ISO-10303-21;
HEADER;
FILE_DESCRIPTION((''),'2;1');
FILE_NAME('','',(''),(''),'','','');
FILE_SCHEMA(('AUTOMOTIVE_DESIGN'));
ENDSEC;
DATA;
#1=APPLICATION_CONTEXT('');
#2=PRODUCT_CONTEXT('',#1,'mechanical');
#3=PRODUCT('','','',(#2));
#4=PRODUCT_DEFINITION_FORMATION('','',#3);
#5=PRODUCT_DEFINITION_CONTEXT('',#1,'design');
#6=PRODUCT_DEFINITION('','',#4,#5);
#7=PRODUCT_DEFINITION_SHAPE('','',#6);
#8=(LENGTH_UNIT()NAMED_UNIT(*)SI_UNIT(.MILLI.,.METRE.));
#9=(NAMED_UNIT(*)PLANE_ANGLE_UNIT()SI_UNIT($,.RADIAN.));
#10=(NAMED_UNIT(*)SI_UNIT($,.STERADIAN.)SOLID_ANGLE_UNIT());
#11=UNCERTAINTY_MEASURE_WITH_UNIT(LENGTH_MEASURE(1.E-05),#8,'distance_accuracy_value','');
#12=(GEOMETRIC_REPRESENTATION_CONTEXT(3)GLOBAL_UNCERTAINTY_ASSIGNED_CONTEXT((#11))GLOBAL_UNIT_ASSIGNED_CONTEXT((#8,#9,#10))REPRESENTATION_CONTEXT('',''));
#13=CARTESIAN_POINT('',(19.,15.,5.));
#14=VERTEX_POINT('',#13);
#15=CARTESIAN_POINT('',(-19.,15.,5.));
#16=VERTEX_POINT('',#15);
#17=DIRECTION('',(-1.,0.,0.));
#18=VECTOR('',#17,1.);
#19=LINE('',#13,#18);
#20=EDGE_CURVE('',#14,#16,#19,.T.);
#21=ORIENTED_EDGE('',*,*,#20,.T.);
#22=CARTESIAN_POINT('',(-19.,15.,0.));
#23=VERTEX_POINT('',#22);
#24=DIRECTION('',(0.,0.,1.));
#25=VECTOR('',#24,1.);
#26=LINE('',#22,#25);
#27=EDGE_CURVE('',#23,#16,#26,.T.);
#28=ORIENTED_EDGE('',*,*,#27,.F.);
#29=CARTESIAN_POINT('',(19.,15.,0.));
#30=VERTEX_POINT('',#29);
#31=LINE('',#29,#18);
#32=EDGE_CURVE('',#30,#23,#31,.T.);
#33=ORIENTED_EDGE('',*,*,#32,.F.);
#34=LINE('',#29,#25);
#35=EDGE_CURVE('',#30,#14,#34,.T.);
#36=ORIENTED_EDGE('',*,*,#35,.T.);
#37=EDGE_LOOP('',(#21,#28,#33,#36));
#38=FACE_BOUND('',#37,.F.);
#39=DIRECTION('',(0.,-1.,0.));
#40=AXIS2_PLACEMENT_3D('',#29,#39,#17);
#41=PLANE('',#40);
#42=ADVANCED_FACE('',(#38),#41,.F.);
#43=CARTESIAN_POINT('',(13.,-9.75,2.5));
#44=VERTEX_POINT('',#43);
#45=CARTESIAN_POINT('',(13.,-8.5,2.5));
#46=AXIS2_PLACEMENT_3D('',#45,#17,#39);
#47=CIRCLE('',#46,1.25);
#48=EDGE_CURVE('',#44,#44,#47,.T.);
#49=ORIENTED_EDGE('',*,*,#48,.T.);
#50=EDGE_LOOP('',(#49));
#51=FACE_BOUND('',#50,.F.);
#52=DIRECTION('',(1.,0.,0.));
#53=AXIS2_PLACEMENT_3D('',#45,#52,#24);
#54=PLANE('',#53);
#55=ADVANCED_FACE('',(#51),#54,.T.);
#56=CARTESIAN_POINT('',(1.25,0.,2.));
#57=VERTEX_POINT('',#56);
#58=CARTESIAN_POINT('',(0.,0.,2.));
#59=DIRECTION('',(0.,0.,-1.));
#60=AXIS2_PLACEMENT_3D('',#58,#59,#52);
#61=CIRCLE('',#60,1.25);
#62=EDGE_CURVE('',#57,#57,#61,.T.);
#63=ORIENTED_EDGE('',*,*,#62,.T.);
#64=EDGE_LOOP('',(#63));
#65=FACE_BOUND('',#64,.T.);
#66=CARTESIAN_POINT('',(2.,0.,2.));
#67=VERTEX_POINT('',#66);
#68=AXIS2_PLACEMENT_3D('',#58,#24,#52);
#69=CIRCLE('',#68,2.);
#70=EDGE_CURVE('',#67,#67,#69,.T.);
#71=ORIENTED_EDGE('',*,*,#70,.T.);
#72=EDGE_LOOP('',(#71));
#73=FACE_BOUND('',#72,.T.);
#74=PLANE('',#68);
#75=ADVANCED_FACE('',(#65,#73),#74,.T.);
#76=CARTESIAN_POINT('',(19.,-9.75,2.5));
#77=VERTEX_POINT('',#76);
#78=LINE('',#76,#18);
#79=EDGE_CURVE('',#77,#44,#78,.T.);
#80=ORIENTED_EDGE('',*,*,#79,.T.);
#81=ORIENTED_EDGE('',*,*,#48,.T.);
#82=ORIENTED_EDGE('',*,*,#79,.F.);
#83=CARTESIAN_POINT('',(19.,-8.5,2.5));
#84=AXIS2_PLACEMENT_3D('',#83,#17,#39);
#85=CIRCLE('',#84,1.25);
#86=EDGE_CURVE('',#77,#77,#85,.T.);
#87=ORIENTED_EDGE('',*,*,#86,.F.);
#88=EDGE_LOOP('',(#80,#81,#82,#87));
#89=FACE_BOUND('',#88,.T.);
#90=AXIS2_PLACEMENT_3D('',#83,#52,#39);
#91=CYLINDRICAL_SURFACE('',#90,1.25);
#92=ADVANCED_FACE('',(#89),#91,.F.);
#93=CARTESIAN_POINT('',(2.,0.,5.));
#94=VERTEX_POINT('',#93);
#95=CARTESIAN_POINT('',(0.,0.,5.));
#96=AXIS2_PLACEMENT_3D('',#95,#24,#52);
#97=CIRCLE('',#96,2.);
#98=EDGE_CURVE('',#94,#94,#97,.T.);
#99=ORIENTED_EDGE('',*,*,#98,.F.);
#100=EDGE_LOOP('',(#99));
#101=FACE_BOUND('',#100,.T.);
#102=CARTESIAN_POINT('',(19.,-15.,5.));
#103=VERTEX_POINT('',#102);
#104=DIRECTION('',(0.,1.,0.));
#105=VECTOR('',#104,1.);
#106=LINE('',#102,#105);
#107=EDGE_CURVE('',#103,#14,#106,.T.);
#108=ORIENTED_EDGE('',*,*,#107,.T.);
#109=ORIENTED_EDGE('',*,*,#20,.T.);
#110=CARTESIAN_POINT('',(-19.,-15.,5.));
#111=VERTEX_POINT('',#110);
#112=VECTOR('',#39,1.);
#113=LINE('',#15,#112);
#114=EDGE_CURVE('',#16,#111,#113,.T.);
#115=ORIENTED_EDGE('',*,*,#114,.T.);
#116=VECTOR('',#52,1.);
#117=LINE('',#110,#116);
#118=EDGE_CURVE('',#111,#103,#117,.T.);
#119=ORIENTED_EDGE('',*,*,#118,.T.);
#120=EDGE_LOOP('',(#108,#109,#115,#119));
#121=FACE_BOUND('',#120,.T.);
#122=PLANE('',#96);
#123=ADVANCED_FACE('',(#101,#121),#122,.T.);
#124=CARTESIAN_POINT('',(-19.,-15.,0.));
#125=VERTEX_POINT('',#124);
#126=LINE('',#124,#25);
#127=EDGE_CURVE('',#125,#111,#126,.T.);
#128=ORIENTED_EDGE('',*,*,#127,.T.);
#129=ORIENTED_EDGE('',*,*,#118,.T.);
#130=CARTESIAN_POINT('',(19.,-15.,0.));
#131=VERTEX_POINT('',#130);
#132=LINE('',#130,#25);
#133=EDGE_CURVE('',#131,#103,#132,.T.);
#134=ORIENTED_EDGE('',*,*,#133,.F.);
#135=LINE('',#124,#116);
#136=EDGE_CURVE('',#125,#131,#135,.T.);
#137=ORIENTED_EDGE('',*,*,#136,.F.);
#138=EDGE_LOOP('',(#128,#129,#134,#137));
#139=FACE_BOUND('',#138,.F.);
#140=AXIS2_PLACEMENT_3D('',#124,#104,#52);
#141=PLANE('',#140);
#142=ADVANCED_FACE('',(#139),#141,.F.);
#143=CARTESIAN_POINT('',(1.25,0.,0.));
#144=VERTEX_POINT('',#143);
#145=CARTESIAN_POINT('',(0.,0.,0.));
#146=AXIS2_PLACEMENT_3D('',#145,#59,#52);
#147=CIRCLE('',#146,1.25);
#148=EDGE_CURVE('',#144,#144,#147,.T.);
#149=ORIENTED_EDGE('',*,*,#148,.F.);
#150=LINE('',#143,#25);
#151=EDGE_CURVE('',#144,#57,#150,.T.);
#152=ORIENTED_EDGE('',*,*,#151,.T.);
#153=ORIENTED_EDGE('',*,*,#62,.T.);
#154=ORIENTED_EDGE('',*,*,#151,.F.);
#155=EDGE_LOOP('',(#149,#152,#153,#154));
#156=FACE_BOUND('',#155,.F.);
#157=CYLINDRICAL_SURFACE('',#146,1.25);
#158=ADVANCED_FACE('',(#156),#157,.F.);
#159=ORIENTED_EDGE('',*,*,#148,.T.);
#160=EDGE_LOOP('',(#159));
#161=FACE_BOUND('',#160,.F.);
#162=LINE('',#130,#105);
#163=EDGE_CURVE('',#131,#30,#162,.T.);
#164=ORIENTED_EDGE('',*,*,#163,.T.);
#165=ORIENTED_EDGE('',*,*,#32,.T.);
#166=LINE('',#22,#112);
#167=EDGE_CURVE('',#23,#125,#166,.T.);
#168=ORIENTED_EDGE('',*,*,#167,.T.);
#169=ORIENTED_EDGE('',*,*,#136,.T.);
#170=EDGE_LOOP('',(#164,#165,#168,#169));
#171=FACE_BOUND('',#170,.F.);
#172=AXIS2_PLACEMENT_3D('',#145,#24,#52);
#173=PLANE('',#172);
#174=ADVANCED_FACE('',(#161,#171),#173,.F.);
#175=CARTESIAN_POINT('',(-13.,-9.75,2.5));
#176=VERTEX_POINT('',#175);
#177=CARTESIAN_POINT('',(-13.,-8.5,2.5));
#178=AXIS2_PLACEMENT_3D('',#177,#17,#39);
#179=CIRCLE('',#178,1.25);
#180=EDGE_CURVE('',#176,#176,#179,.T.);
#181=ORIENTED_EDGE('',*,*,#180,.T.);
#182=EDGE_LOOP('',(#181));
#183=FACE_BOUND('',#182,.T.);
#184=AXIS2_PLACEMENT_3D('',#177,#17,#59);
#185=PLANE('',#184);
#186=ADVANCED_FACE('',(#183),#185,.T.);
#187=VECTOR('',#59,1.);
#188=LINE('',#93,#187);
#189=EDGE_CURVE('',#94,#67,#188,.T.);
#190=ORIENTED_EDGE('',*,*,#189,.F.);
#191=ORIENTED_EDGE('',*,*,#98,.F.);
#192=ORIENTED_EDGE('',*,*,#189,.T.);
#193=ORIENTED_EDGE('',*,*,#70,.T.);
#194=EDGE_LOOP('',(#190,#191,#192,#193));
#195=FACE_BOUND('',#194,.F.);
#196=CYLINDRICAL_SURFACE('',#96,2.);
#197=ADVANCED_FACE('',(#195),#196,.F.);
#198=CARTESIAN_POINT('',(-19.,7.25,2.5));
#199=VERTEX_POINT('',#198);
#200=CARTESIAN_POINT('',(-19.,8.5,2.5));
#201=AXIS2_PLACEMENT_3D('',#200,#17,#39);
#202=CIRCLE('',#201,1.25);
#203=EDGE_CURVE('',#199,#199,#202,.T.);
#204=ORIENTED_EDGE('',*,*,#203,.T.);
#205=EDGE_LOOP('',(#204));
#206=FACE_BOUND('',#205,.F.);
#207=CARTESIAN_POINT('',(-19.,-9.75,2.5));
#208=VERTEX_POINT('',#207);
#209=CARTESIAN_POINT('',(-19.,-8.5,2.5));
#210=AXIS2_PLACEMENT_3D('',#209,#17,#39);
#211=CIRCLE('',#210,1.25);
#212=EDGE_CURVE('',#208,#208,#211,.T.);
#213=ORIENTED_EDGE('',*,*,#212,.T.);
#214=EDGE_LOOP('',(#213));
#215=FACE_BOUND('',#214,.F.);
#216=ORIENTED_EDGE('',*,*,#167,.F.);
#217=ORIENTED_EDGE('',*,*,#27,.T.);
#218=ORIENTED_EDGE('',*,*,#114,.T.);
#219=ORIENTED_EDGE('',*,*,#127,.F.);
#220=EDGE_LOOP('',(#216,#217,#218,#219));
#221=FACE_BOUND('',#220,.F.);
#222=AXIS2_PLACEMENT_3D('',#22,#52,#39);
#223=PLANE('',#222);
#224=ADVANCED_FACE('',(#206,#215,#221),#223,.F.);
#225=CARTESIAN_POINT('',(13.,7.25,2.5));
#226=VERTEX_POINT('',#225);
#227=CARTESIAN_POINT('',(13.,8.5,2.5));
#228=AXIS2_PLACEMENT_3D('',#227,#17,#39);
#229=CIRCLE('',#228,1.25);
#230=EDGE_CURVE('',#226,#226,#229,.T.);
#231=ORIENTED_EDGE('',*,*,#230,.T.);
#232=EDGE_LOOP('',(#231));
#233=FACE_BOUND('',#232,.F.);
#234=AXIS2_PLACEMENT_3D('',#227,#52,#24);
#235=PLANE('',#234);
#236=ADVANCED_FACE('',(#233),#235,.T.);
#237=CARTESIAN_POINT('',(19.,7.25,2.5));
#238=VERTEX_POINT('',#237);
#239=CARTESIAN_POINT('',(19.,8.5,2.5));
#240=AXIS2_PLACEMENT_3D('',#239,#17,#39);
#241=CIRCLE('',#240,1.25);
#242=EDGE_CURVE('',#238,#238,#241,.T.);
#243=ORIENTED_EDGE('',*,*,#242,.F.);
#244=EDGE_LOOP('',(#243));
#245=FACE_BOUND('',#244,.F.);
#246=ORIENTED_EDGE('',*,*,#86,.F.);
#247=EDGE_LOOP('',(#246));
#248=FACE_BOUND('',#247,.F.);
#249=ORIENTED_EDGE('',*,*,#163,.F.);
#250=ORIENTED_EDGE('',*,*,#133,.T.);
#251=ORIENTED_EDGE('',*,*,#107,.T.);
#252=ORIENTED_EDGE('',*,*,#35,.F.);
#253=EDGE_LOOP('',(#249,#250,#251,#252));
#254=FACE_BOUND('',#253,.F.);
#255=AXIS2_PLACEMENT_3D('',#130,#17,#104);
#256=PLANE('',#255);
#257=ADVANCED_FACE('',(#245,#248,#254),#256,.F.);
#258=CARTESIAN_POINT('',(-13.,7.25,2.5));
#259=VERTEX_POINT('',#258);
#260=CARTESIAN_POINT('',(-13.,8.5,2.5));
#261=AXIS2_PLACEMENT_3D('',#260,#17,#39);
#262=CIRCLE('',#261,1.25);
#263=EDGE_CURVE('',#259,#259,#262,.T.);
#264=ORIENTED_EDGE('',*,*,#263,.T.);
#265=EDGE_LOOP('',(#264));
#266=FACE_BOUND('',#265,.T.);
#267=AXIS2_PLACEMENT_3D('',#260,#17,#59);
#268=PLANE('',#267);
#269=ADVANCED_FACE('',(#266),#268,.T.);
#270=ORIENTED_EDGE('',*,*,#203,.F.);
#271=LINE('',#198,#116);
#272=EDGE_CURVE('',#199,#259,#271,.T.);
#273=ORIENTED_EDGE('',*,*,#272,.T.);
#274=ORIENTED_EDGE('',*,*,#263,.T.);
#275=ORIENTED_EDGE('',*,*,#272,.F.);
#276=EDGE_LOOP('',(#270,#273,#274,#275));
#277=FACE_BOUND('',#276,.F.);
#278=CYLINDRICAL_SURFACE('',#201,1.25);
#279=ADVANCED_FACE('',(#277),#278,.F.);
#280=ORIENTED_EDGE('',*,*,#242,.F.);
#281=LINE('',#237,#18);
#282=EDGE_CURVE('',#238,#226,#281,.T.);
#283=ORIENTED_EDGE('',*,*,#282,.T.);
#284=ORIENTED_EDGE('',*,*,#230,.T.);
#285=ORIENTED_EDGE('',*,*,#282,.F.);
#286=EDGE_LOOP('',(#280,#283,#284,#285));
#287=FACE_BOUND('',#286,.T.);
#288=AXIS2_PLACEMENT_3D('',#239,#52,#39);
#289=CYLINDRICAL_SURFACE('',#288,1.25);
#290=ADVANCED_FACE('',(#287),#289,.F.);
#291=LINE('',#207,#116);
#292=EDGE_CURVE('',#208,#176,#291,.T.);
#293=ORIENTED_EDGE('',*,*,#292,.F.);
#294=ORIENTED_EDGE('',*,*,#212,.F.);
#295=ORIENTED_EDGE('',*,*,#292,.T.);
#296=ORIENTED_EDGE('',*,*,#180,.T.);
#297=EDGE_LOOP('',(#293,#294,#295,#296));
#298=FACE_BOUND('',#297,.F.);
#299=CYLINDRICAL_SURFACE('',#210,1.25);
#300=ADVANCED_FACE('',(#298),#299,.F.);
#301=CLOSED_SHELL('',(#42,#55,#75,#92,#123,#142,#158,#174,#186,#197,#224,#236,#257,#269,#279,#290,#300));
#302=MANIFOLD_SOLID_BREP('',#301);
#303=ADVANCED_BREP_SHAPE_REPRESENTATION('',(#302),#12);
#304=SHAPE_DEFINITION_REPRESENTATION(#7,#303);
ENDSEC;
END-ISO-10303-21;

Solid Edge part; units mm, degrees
sketch "Sketch1" plane through (0, 0, 0) normal (0, 0, 1) x (1, 0, 0)
  line L0 (-19, -15) -> (19, -15)
  line L1 (19, -15) -> (19, 15)
  line L2 (19, 15) -> (-19, 15)
  line L3 (-19, 15) -> (-19, -15)
  dimension "D1" = 38
  dimension "D2" = 30
extrude "Protrusion1" add sketch "Sketch1" along normal blind 5
sketch "Sketch2" plane through (-19, 0, 2.5) normal (-1, 0, 0) x (0, -1, 0)
  circle A0 centre (-8.5, 0) radius 1.25
  circle A1 centre (8.5, 0) radius 1.25
  dimension "D1" = 2.5
  dimension "D2" = 8.5
  dimension "D3" = 8.5
extrude "ExtrudedCutout_1" cut sketch "Sketch2" against normal blind 6
mirror "Mirror1" about plane through (0, 0, 0) normal (1, 0, 0) of "ExtrudedCutout_1"
sketch "Sketch3" plane through (0, 0, 5) normal (0, 0, 1) x (1, 0, 0)
  circle A0 centre (0, 0) radius 2
  dimension "D1" = 4
extrude "ExtrudedCutout_2" cut sketch "Sketch3" against normal blind 3
sketch "Sketch4" plane through (0, 0, 0) normal (0, 0, -1) x (1, 0, 0)
  circle A0 centre (0, 0) radius 1.25
  dimension "D1" = 2.5
extrude "Cutout1" cut sketch "Sketch4" against normal through all
properties material "ABS Plastic, medium impact"
